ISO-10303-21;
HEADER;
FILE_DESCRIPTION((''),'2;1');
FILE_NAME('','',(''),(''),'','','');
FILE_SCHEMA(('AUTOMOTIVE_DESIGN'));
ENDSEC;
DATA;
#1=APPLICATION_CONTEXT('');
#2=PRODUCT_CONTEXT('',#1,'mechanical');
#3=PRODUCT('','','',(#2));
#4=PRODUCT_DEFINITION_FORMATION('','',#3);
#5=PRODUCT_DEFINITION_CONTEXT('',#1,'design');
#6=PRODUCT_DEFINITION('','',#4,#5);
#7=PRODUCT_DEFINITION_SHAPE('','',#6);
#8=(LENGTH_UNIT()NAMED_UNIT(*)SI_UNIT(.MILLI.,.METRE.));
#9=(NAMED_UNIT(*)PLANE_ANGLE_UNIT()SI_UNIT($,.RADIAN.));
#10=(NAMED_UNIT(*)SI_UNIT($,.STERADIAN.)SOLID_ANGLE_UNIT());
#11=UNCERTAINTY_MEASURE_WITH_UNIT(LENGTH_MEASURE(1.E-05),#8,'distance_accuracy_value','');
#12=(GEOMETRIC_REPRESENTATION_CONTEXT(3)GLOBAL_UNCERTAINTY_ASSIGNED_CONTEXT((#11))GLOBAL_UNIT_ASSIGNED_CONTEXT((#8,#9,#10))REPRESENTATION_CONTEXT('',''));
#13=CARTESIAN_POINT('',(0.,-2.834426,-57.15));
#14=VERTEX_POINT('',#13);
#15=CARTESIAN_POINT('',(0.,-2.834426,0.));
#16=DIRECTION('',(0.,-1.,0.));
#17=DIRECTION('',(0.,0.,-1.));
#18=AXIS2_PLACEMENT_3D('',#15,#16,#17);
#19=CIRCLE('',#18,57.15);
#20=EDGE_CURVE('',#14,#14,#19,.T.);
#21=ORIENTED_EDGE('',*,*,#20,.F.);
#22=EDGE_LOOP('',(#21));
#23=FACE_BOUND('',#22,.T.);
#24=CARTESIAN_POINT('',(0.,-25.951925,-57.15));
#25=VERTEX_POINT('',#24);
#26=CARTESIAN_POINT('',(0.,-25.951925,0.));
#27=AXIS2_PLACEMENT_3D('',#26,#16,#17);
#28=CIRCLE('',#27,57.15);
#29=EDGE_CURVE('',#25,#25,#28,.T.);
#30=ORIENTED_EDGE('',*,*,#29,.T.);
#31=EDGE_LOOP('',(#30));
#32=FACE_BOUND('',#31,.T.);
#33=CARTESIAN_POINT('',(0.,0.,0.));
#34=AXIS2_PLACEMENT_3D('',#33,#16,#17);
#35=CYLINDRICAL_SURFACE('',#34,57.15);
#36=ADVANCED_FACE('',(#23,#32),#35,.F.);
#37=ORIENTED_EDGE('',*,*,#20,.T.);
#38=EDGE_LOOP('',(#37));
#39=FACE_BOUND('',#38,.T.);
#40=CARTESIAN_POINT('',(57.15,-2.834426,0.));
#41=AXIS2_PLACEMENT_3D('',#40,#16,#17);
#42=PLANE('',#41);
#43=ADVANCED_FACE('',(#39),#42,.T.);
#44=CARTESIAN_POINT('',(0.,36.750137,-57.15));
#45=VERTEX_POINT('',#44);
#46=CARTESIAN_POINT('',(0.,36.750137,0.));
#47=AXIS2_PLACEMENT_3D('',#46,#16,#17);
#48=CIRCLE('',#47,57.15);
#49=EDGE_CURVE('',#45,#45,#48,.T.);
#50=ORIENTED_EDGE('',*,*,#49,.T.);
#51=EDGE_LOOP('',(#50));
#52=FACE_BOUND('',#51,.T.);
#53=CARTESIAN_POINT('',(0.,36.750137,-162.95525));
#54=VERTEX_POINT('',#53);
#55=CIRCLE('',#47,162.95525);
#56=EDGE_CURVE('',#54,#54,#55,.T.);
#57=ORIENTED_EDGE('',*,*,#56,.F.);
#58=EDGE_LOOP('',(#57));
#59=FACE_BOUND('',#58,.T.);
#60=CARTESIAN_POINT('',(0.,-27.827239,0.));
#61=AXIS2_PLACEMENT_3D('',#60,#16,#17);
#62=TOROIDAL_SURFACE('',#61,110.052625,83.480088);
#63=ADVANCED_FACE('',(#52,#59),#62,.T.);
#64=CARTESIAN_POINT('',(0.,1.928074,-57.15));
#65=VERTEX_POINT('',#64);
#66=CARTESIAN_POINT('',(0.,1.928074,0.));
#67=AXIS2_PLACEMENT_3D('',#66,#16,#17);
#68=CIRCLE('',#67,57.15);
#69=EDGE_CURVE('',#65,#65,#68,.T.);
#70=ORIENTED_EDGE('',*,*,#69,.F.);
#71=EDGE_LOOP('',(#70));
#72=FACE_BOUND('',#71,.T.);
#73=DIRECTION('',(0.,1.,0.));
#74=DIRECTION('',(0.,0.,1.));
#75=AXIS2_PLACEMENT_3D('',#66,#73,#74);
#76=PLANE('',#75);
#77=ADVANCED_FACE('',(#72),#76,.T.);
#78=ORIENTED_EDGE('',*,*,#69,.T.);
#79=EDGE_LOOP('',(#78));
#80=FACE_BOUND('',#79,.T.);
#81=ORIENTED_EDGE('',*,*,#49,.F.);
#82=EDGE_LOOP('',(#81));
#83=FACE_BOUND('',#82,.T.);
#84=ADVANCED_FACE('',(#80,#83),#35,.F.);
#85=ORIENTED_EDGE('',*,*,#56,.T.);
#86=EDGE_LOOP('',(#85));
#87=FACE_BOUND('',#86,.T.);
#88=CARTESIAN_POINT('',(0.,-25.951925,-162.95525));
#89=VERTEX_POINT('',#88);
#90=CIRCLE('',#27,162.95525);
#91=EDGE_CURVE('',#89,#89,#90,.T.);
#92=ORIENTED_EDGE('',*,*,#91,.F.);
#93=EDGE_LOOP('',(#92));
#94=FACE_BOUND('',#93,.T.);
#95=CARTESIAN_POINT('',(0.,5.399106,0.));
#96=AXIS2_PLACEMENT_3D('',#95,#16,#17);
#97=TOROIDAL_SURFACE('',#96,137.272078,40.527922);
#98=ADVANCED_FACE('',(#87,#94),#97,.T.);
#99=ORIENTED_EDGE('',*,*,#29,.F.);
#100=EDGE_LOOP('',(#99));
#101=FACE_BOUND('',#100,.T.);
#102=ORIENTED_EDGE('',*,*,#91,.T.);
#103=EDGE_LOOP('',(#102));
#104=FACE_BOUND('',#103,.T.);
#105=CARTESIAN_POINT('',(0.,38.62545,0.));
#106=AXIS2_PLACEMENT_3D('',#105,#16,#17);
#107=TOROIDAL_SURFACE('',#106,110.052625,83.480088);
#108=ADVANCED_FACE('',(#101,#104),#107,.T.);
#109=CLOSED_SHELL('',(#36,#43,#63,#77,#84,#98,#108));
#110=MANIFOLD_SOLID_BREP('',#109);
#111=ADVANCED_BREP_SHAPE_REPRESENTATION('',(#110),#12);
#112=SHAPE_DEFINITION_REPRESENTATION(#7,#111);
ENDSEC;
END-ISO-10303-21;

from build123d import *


with BuildPart() as part:
    # Sketch1 → Revolve1 (revolve)
    with BuildSketch(Plane.XY):
        with BuildLine():
            Line((0, 0), (0, 1.928074015))
            Line((0, 1.928074015), (57.15, 1.928074015))
            Line((57.15, 1.928074015), (57.15, 36.750137113))
            ThreePointArc((57.15, 36.750137113), (110.052624852, 55.65284987), (162.955249704, 36.750137113))
            ThreePointArc((162.955249704, 36.750137113), (177.8, 5.399105858), (162.955249704, -25.951925396))
            ThreePointArc((162.955249704, -25.951925396), (110.052624852, -44.854638153), (57.15, -25.951925396))
            Line((57.15, -25.951925396), (57.15, -2.834425985))
            Line((57.15, -2.834425985), (0, -2.834425985))
            Line((0, -2.834425985), (0, 0))
        make_face()
    revolve(axis=Axis((0, 0, 0), (0, 1, 0)))


solid = part.part
